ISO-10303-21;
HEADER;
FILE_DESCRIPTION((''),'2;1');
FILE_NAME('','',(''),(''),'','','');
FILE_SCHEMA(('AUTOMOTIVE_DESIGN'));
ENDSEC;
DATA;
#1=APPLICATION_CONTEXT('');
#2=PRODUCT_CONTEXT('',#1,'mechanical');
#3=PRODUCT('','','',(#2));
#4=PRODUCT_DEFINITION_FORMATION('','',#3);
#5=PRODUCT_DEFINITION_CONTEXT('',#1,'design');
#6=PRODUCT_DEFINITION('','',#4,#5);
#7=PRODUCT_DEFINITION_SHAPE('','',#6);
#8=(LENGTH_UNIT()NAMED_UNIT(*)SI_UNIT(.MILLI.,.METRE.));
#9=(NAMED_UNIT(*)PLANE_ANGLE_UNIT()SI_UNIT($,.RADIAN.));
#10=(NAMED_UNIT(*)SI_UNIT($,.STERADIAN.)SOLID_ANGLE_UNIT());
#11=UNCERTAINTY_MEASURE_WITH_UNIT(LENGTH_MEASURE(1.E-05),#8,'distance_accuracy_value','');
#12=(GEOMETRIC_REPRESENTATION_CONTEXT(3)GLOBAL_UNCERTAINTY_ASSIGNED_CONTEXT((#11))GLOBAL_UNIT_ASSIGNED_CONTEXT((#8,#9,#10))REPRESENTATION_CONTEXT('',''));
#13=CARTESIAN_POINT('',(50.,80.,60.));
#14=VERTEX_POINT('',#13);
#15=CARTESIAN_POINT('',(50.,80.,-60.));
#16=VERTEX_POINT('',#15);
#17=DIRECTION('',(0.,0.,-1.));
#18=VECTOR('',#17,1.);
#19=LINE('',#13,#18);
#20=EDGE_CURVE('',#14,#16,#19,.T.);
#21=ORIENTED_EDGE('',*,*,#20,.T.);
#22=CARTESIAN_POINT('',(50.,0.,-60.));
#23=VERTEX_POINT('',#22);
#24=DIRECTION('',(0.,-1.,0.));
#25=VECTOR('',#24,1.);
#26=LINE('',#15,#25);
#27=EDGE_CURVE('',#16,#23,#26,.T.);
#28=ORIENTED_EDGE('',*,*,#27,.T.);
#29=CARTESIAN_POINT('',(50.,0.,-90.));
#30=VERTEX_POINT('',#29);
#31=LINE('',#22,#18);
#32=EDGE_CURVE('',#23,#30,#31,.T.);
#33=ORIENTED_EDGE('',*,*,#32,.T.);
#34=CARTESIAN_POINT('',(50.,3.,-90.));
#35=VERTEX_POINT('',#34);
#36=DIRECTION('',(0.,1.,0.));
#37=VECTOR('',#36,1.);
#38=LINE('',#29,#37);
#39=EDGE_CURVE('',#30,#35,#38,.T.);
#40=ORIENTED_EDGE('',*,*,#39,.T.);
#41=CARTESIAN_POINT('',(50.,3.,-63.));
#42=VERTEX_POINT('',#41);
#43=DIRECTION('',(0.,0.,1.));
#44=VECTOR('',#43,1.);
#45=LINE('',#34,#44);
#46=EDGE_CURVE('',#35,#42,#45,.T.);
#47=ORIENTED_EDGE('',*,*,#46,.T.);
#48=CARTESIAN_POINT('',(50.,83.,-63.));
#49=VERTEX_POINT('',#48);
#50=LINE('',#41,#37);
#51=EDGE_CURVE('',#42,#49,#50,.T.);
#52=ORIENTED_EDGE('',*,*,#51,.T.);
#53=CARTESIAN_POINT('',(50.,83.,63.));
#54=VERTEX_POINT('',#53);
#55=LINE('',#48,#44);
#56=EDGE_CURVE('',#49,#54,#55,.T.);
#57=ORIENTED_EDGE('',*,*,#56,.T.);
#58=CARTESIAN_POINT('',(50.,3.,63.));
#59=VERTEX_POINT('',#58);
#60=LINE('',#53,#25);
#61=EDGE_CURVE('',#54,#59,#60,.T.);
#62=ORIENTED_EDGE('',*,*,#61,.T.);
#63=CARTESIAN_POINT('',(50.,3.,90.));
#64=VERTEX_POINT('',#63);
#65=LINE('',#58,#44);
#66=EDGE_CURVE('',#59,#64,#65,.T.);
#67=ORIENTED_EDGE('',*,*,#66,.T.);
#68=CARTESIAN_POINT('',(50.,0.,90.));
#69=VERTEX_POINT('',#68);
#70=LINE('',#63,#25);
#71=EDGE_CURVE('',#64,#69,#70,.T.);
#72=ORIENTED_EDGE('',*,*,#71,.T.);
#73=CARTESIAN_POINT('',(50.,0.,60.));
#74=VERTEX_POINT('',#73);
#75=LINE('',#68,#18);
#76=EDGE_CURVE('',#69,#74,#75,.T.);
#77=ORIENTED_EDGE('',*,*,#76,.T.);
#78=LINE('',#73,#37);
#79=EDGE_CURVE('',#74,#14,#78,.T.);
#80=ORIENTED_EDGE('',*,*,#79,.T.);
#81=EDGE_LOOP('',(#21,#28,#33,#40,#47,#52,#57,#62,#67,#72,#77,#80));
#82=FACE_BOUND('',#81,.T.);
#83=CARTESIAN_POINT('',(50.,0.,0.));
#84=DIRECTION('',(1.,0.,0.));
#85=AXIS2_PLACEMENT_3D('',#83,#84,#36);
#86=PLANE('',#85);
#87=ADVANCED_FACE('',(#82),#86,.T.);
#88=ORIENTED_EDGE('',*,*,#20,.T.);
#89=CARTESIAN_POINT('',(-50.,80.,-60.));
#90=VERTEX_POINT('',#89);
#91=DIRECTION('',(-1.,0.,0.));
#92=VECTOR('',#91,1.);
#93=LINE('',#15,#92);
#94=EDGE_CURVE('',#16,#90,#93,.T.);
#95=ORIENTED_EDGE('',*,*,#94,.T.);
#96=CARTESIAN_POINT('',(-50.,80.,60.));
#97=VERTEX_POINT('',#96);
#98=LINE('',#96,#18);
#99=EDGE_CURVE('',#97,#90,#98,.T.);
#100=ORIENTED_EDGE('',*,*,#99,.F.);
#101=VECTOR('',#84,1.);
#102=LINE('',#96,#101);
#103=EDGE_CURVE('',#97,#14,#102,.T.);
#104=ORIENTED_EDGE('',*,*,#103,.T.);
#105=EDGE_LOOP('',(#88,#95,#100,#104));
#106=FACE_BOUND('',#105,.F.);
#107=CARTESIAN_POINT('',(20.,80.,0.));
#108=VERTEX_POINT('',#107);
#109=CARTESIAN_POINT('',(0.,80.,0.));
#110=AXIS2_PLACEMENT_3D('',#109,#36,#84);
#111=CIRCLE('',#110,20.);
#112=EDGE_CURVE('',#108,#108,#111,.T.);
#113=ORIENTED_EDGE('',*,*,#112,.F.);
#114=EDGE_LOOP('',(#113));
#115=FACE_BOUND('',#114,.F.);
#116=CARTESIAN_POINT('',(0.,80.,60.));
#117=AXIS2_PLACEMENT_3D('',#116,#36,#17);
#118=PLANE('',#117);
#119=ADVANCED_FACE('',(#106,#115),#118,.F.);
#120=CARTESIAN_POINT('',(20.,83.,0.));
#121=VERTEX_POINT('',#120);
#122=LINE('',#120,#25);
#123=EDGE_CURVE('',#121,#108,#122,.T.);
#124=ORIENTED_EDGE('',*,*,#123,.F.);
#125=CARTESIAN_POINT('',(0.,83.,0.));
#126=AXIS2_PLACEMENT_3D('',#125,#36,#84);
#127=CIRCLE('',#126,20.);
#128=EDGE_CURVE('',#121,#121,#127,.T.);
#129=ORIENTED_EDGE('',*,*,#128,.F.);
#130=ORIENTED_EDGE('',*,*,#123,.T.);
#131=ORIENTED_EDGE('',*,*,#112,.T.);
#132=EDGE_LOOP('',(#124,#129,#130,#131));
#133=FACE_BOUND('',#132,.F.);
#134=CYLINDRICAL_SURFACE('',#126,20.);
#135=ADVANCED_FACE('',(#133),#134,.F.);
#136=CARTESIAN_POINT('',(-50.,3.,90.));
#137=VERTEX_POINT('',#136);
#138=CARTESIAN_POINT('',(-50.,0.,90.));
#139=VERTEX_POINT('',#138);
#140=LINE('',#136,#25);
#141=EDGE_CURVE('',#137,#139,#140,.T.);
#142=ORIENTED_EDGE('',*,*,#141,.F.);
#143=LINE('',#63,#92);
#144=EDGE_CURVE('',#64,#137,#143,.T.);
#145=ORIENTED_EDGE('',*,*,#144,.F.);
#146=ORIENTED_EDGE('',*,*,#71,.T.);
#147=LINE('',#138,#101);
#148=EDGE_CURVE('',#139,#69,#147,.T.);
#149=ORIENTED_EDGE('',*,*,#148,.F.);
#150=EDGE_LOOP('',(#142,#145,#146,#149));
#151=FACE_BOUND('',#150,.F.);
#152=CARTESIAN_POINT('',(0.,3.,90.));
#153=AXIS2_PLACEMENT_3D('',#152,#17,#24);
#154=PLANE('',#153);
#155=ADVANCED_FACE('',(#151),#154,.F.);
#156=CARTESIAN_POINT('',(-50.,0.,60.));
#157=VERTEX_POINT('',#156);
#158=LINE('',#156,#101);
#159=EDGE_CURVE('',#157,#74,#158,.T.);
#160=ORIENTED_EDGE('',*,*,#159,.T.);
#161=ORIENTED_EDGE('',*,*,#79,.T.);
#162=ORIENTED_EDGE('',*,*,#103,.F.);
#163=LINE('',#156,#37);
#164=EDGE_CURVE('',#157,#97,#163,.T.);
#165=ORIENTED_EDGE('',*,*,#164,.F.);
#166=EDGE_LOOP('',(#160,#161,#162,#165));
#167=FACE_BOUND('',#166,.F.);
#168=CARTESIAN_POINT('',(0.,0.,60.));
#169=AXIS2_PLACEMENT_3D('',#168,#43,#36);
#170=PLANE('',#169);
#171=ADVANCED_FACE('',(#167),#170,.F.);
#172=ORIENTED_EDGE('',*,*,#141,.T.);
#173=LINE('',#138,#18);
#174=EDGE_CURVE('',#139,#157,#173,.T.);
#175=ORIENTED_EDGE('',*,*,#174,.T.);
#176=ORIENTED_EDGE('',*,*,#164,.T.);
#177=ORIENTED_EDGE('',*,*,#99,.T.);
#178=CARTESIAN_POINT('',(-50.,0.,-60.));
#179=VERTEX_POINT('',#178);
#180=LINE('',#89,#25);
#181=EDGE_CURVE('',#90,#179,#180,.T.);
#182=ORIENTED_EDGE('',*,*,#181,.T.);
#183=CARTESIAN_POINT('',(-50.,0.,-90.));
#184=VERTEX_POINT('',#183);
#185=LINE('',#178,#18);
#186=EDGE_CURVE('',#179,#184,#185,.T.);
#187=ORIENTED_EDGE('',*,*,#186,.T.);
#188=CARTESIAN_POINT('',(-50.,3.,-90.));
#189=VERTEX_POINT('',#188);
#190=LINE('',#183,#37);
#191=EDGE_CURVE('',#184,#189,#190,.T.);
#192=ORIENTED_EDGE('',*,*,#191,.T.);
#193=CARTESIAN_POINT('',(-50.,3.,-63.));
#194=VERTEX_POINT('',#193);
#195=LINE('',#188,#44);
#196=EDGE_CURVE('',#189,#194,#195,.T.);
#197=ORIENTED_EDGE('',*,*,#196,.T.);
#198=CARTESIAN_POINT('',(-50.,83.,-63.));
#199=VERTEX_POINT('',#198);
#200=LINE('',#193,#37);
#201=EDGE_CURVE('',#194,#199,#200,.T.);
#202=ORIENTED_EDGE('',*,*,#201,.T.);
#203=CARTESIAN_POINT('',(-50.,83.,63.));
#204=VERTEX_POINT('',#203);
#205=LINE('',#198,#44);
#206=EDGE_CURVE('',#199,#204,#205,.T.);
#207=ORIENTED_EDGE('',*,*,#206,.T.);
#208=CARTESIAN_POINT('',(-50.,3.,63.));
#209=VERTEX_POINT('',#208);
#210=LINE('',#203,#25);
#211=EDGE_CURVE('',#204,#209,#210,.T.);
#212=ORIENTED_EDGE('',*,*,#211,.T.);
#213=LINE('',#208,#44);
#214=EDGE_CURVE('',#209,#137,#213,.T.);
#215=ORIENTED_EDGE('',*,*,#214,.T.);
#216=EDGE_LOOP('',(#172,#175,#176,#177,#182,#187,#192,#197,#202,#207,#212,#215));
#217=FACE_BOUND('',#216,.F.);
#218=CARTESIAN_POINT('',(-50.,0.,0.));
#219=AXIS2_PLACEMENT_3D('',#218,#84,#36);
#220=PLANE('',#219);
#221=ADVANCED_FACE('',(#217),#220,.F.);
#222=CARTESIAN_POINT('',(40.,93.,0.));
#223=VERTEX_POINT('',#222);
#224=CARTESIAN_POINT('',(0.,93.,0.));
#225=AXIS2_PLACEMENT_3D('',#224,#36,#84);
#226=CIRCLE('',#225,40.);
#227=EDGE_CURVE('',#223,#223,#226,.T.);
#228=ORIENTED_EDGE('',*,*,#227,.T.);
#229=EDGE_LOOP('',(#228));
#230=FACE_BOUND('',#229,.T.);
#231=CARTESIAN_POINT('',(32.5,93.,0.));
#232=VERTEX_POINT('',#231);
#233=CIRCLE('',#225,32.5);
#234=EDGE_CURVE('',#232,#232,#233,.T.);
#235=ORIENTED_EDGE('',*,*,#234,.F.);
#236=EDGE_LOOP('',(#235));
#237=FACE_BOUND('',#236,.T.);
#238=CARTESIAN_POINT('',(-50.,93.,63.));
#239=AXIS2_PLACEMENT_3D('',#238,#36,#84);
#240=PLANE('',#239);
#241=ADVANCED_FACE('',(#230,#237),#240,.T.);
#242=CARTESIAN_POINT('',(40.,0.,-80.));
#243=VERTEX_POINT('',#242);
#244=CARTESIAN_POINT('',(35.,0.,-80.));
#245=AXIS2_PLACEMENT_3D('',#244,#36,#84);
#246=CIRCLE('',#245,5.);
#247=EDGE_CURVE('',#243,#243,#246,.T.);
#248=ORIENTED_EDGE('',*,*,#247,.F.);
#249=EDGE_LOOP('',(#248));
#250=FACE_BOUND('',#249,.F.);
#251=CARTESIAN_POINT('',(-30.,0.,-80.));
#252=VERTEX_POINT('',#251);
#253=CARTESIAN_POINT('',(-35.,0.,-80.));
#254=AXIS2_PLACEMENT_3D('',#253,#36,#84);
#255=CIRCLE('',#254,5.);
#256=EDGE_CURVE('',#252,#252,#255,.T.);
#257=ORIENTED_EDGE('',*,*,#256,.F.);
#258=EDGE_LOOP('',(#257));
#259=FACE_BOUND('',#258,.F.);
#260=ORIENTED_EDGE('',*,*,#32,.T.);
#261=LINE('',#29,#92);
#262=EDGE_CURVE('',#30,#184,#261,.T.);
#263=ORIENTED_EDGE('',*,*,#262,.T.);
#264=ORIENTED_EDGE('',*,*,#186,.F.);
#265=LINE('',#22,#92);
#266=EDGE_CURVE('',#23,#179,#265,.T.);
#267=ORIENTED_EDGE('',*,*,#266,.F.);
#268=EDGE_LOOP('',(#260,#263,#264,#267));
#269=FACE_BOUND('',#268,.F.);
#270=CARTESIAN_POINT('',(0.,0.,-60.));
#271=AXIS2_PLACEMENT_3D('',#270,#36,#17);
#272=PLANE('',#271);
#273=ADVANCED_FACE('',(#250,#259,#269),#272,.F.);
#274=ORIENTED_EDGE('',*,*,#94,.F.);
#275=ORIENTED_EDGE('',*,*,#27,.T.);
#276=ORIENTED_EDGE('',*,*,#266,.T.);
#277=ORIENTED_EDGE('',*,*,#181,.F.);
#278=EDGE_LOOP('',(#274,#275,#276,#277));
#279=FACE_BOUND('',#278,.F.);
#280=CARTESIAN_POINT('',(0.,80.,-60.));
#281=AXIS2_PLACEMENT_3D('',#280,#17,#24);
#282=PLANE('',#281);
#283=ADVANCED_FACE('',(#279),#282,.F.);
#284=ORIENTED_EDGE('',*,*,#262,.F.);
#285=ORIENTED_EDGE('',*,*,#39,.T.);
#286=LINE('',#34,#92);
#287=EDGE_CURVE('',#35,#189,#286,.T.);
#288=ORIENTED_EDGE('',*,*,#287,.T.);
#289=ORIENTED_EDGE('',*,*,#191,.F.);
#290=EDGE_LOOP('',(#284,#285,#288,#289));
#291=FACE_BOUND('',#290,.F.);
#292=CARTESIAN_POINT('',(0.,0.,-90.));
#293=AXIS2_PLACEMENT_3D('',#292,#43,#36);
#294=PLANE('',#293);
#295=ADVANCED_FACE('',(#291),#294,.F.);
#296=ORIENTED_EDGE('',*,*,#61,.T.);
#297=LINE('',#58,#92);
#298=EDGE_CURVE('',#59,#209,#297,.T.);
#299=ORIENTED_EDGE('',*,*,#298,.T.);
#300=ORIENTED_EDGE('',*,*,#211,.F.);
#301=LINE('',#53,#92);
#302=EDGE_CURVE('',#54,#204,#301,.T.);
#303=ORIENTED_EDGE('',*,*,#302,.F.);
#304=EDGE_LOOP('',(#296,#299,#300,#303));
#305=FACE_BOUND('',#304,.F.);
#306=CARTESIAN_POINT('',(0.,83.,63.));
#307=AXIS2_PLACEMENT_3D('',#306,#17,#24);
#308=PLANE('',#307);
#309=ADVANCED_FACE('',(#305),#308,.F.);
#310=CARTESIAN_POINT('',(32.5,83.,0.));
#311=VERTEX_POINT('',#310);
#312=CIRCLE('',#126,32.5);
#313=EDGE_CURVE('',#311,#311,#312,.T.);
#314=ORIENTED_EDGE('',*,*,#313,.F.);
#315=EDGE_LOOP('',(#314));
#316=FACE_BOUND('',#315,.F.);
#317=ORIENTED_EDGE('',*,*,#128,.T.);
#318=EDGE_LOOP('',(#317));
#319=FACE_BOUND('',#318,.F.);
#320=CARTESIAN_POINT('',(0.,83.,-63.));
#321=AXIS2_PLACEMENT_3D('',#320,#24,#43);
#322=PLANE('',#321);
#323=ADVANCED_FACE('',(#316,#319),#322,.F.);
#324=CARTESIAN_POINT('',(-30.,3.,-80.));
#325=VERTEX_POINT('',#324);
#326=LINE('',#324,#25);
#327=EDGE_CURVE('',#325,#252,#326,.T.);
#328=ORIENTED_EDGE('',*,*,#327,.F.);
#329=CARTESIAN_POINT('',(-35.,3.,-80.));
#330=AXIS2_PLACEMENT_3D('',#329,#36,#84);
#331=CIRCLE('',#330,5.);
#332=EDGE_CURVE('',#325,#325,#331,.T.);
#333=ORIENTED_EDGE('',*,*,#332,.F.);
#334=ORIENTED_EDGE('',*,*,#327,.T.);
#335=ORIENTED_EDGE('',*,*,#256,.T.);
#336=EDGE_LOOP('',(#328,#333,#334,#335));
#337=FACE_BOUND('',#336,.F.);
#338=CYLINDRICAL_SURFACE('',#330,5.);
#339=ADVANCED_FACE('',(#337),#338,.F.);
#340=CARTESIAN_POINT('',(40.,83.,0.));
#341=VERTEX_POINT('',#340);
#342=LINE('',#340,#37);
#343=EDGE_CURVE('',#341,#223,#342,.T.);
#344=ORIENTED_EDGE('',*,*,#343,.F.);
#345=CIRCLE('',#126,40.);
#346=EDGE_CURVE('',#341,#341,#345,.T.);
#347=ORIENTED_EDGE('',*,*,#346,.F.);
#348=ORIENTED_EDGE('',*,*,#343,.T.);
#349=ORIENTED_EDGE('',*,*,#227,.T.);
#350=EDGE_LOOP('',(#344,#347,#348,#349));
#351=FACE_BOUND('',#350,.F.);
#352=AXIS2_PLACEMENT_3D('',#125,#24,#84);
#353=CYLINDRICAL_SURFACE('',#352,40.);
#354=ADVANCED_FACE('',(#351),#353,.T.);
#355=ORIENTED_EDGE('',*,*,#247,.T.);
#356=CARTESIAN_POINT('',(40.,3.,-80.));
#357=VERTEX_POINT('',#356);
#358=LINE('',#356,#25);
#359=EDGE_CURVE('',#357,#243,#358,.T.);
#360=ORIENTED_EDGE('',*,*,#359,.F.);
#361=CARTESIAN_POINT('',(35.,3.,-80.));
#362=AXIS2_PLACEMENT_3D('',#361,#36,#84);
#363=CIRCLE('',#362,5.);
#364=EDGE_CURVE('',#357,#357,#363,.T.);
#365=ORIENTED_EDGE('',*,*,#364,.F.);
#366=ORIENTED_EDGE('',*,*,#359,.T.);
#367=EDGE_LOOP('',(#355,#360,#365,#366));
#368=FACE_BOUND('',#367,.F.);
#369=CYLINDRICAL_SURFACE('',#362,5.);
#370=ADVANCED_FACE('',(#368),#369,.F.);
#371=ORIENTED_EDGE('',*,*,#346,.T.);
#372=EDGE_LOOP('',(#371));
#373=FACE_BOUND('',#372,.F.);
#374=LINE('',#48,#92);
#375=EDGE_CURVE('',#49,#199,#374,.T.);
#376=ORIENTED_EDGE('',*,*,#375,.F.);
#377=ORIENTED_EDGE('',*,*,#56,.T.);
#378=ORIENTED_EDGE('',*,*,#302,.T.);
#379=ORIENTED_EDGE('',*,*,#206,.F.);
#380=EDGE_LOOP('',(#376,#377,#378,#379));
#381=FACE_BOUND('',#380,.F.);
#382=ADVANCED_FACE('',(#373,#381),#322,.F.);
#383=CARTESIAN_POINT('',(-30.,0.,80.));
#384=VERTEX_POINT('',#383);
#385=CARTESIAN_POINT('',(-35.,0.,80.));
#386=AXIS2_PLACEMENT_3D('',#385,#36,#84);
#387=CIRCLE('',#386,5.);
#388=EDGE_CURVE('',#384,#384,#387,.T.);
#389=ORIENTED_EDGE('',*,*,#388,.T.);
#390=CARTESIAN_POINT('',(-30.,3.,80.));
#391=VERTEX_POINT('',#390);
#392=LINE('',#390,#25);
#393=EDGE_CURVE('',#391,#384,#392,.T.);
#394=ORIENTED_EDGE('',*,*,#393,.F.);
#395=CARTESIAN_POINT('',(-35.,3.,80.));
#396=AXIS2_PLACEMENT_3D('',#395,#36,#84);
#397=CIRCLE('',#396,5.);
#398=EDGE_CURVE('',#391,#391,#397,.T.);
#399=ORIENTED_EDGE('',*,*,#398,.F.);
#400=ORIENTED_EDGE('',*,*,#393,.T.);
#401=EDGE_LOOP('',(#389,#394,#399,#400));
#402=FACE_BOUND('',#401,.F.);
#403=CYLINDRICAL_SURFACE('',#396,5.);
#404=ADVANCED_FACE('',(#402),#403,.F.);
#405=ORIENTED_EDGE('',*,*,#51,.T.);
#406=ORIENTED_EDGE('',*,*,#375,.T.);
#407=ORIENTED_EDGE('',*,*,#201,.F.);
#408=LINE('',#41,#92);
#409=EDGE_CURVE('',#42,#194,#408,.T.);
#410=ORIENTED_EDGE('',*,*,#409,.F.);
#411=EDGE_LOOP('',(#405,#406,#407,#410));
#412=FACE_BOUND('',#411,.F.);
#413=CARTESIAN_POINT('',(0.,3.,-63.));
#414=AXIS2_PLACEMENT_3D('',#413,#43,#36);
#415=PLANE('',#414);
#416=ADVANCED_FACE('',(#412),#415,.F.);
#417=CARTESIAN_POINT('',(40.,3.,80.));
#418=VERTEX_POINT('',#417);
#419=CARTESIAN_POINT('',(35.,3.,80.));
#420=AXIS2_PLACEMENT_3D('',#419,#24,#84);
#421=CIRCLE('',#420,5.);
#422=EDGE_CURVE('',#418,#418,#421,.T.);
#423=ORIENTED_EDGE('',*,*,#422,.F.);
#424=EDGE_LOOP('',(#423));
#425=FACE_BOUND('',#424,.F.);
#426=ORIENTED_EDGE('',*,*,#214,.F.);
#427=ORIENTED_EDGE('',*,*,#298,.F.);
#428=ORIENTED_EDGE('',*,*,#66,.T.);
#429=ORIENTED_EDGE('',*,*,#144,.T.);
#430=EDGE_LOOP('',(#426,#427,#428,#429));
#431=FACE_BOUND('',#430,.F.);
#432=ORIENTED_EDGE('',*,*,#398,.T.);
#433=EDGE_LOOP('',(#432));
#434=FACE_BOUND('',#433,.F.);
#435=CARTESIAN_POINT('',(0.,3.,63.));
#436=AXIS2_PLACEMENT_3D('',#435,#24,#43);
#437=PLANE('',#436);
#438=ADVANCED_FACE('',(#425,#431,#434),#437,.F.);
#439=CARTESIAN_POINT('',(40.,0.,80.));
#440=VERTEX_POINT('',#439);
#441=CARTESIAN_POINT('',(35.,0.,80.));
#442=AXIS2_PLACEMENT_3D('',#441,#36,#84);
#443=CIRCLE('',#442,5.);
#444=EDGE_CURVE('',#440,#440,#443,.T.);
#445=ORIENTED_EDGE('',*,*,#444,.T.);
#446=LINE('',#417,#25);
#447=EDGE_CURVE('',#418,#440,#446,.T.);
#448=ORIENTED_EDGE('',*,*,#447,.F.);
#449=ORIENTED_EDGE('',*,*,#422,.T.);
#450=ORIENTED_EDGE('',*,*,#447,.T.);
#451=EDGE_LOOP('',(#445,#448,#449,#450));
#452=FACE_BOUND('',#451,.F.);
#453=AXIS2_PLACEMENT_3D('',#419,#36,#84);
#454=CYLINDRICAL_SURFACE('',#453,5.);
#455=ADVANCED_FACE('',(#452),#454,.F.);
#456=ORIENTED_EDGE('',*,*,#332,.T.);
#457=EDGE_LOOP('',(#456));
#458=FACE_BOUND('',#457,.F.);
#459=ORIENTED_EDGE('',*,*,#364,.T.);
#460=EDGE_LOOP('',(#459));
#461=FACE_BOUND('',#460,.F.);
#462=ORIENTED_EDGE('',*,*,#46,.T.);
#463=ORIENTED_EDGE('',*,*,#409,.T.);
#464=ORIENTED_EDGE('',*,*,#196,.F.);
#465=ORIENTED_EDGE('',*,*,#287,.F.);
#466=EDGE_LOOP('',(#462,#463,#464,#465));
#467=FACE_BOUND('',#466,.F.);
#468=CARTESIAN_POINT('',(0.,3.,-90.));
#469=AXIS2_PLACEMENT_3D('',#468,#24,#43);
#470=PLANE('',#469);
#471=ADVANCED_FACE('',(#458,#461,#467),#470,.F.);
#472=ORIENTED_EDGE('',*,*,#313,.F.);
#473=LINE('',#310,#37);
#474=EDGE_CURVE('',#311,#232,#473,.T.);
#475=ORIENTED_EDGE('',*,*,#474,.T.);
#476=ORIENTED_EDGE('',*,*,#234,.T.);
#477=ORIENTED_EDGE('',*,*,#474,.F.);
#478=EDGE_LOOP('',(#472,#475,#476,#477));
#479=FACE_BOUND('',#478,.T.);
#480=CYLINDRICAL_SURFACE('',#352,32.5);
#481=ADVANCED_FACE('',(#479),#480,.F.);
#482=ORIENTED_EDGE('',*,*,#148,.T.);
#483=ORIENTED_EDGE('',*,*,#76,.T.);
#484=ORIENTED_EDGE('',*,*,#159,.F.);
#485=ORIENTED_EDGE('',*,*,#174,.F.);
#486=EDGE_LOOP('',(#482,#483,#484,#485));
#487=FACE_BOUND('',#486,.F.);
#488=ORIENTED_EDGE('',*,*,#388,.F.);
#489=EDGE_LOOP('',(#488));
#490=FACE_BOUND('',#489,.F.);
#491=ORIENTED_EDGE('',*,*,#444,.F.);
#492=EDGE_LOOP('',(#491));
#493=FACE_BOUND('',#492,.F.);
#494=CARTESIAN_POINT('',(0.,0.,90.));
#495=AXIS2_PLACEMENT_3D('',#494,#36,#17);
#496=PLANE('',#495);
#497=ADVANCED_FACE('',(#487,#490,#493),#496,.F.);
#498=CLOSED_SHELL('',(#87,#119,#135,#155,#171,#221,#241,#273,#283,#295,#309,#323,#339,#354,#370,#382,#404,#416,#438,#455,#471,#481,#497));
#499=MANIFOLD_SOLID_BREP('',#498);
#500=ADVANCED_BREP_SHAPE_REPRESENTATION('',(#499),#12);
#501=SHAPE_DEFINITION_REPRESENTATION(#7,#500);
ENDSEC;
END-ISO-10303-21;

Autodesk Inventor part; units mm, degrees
ref_plane "YZ Plane" through (0, 0, 0) normal (1, 0, 0) x (0, 1, 0)
ref_plane "XZ Plane" through (0, 0, 0) normal (0, 1, 0) x (-1, 0, 0)
ref_plane "XY Plane" through (0, 0, 0) normal (0, 0, 1) x (1, 0, 0)
sketch "Schizzo1" plane through (0, 0, 0) normal (1, 0, 0) x (0, 1, 0)
  line L0 (0, 90) -> (0, 60)
  line L1 (0, 60) -> (80, 60)
  line L2 (80, 60) -> (80, -60)
  line L3 (80, -60) -> (0, -60)
  line L4 (0, -60) -> (0, -90)
  line L5 (0, -90) -> (3, -90)
  line L6 (3, -90) -> (3, -63)
  line L7 (3, -63) -> (83, -63)
  line L8 (83, -63) -> (83, 63)
  line L9 (83, 63) -> (3, 63)
  line L10 (3, 63) -> (3, 90)
  line L11 (3, 90) -> (0, 90)
  line L12 (0, 0) -> (59.7399, 0) construction
  line L13 (0, 0) -> (0, -69.3642) construction
  dimension "d0" = 30
  dimension "d1" = 120
  dimension "d2" = 3
  dimension "d3" = 3
  dimension "d4" = 83
  dimension "d5" = 3
extrude "Estrusione1" add sketch "Schizzo1" along normal mid plane 100
sketch "Schizzo2" plane through (-50, 83, 63) normal (0, 1, 0) x (1, 0, 0)
  circle A0 centre (50, 63) radius 40
  circle A1 centre (50, 63) radius 32.5
  circle A2 centre (50, 63) radius 20
  dimension "d8" = 80
  dimension "d9" = 65
  dimension "d10" = 40
extrude "Estrusione2" cut sketch "Schizzo2" against normal through all contours A2
extrude "Estrusione3" add sketch "Schizzo2" along normal blind 10 contours A0
sketch "Schizzo3" plane through (-50, 3, 90) normal (0, 1, 0) x (1, 0, 0)
  line L0 (100, 0) -> (100, 30) projected
  line L1 (100, 30) -> (0, 30) projected
  line L2 (0, 150) -> (100, 150) projected
  line L3 (100, 150) -> (100, 180) projected
  line L4 (0, 180) -> (100, 180) projected
  line L5 (0, 0) -> (100, 0) projected
  line L6 (0, 30) -> (0, 0) projected
  line L7 (0, 180) -> (0, 150) projected
  line L8 (100, 0) -> (85, 0)
  line L9 (85, 0) -> (85, 10)
  circle A0 centre (85, 10) radius 5
  circle A1 centre (85, 170) radius 5
  circle A2 centre (15, 10) radius 5
  circle A3 centre (15, 170) radius 5
  point P0 (50, 90)
  dimension "d15" = 15
  dimension "d16" = 10
  dimension "d17" = 10
  dimension "d20" = 160
  dimension "d23" = 70
extrude "Estrusione4" cut sketch "Schizzo3" against normal through all contours A0 | A1 | A2 | A3
sketch "Schizzo4" plane through (-50, 3, 90) normal (0, 1, 0) x (1, 0, 0)
  point P0 (50, 90)
sketch "Schizzo5" plane through (-50, 3, 90) normal (0, 1, 0) x (1, 0, 0)
  point P0 (50, 90)
properties part number "Sanson_Amedeo Analisi FEM 2"
